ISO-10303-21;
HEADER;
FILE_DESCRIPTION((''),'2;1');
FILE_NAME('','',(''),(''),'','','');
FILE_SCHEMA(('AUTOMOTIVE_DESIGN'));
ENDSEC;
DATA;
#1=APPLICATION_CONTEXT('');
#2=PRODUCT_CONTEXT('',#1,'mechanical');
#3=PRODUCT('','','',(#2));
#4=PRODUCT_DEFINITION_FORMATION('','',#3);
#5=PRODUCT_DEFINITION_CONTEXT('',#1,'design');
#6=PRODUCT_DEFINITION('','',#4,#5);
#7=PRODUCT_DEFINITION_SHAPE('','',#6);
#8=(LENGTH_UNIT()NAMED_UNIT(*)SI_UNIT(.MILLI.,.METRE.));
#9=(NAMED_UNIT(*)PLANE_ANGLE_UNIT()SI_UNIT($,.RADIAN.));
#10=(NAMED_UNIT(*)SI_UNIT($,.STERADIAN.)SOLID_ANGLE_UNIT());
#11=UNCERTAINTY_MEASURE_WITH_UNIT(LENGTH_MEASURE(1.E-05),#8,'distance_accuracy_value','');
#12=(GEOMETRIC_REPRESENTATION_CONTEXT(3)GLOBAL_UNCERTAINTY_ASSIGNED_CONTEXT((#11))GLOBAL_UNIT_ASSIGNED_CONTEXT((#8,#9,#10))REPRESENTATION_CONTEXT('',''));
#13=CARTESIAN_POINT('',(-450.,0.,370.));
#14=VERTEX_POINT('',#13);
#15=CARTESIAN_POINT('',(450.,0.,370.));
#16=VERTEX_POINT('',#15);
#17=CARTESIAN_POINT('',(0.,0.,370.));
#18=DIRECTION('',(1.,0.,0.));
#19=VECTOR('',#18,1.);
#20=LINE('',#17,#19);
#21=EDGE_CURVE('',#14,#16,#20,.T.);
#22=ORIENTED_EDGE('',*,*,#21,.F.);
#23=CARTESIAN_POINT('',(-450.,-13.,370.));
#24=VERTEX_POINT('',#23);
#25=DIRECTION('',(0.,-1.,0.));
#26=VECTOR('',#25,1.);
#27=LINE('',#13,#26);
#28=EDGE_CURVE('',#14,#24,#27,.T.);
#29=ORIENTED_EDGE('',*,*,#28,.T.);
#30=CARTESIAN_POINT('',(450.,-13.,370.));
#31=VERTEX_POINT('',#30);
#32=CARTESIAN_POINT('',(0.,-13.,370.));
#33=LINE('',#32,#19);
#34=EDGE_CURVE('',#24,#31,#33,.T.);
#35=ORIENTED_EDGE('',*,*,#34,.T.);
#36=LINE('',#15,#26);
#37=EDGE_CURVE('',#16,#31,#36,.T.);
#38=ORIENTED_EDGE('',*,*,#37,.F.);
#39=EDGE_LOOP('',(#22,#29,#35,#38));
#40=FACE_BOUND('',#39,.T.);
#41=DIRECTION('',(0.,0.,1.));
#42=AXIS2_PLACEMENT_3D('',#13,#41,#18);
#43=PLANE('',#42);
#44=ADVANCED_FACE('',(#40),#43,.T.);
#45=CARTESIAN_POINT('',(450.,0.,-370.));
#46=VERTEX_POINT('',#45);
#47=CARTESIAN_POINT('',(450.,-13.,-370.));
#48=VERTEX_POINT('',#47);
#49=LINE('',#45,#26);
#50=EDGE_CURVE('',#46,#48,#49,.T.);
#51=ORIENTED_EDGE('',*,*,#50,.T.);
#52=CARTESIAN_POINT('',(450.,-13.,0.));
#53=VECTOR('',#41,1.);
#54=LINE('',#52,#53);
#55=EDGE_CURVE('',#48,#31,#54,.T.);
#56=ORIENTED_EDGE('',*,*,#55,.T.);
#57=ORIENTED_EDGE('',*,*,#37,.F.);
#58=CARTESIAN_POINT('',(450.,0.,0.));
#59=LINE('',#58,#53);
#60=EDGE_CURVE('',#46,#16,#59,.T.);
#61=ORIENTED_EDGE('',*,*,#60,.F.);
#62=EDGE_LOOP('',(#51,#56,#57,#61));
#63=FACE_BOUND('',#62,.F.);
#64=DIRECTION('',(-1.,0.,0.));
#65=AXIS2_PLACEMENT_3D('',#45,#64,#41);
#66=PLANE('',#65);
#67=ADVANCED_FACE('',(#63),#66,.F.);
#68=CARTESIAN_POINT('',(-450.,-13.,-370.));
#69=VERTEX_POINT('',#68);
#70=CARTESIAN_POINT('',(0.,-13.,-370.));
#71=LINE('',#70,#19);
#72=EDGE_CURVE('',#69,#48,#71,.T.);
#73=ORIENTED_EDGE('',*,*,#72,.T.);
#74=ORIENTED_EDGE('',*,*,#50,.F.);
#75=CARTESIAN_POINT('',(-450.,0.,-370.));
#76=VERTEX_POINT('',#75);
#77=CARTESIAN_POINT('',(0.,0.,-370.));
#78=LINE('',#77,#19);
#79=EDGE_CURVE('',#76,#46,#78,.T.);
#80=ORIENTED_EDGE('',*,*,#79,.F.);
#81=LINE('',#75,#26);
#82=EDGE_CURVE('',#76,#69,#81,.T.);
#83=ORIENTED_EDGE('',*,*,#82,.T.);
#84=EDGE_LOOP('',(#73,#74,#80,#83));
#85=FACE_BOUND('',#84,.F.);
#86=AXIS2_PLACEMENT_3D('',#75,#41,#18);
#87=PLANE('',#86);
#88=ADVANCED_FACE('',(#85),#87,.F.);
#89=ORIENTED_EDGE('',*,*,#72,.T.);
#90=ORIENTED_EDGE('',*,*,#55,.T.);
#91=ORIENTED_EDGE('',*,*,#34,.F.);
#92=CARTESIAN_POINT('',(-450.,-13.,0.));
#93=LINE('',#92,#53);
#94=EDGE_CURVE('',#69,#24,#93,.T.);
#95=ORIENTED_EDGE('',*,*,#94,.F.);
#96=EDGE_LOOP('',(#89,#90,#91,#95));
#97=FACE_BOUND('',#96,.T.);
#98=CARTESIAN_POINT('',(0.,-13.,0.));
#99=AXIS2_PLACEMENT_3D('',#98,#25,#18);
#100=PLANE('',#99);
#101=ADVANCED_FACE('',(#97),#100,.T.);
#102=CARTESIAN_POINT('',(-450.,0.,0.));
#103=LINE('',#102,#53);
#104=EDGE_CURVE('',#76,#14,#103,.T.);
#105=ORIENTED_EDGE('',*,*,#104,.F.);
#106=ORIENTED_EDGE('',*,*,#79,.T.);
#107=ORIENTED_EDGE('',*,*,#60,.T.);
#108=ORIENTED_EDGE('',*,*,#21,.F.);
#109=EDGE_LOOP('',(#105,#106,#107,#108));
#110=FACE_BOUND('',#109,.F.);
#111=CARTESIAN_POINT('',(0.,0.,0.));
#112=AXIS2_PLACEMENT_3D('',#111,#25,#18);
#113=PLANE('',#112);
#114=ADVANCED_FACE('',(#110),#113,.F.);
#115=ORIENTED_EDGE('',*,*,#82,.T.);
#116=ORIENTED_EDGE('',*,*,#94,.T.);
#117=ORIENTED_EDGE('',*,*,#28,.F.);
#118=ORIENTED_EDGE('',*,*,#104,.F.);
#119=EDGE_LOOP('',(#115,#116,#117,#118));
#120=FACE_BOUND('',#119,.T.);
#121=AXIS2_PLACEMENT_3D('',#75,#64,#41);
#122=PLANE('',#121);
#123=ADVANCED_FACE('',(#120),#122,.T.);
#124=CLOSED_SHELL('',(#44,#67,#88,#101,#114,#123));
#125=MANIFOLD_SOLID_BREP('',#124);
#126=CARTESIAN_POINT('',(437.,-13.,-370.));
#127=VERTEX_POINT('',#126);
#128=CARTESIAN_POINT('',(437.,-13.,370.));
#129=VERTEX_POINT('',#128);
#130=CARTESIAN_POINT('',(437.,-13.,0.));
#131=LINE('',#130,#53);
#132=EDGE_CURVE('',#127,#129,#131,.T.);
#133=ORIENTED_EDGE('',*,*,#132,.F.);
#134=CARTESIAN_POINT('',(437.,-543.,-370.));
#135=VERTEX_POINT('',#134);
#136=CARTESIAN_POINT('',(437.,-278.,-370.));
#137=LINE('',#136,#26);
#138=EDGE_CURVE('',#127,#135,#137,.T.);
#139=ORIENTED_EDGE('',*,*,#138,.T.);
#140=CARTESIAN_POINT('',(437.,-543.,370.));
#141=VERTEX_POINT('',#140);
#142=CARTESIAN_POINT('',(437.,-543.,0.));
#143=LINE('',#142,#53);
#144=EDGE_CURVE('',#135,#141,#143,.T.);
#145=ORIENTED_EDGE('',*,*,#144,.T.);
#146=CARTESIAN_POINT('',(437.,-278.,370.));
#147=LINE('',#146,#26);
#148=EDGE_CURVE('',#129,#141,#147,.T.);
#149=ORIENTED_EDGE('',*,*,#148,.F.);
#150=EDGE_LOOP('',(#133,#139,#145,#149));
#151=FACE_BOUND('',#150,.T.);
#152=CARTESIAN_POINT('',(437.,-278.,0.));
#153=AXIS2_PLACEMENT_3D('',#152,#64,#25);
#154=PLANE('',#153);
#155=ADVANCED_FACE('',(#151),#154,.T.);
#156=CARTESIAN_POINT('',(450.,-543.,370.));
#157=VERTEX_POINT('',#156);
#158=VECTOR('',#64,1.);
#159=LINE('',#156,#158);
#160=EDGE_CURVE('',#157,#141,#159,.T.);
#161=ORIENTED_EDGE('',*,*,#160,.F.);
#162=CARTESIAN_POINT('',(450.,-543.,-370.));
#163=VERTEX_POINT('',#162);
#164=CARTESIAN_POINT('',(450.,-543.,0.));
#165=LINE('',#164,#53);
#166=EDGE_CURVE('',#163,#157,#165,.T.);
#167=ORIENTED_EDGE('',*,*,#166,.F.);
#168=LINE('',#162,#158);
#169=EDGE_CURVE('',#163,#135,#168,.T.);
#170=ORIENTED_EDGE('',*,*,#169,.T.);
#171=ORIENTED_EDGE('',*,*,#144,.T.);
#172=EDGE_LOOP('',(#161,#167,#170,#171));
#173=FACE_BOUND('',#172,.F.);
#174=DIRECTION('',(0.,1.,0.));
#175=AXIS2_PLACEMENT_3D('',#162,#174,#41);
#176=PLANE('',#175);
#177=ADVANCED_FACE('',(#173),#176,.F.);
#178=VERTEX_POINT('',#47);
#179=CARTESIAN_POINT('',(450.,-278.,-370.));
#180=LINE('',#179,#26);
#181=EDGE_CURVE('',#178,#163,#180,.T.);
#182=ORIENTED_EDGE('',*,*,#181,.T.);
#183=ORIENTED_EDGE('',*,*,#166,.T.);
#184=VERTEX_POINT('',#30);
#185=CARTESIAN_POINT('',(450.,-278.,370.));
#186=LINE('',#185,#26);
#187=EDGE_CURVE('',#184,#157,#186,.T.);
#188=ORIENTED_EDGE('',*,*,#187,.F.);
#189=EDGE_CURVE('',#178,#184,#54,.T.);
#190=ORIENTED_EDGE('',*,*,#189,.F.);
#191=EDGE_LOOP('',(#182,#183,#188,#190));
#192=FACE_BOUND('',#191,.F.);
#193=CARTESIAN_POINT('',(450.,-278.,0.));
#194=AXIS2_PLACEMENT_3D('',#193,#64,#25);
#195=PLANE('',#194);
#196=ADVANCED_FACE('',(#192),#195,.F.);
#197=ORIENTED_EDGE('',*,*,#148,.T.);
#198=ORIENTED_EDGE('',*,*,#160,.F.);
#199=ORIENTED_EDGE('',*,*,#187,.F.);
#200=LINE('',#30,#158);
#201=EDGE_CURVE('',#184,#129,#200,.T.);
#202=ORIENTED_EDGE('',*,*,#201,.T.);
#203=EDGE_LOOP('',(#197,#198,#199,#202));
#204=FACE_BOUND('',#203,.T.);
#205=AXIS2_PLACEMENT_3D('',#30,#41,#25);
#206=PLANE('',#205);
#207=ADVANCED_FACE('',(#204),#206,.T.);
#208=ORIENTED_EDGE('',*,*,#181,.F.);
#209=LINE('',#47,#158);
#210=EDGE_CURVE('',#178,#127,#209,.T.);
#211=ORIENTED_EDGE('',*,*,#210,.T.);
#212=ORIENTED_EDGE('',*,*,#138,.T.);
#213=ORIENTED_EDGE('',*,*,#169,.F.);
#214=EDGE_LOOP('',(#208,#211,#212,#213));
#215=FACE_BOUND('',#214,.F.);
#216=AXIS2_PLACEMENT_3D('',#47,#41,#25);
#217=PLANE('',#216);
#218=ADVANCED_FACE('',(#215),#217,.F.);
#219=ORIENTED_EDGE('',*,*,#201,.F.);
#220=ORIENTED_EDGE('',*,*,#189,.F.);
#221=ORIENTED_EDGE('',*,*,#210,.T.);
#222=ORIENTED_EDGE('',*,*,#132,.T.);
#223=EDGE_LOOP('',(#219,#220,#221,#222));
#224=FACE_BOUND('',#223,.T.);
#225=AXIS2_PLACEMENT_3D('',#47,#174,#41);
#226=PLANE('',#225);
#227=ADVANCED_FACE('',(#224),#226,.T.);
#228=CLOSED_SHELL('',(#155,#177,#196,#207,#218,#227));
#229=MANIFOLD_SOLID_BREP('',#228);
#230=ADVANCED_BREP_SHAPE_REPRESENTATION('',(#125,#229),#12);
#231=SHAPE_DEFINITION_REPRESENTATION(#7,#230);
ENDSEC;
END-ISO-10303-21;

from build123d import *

# Parameters (mm, degrees)
F0_W     = 900
F0_H     = 740
F1_DEPTH = 13
F3_W     = 530
F3_H     = 740
F4_DEPTH = 13


with BuildPart() as f1:
    # F0 (on Front) → F1 (new body)
    with BuildSketch(Plane.XZ):
        Rectangle(F0_W, F0_H)
    extrude(amount=F1_DEPTH)


with BuildPart() as f4:
    # F3 (on 3pt) → F4 (new body)
    with BuildSketch(Plane(origin=(450, 0, 0), x_dir=(0, -1, 0), z_dir=(-1, 0, 0))):
        with Locations((278, 0)):
            Rectangle(F3_W, F3_H)
    extrude(amount=F4_DEPTH)


solid = Compound([f1.part, f4.part])
